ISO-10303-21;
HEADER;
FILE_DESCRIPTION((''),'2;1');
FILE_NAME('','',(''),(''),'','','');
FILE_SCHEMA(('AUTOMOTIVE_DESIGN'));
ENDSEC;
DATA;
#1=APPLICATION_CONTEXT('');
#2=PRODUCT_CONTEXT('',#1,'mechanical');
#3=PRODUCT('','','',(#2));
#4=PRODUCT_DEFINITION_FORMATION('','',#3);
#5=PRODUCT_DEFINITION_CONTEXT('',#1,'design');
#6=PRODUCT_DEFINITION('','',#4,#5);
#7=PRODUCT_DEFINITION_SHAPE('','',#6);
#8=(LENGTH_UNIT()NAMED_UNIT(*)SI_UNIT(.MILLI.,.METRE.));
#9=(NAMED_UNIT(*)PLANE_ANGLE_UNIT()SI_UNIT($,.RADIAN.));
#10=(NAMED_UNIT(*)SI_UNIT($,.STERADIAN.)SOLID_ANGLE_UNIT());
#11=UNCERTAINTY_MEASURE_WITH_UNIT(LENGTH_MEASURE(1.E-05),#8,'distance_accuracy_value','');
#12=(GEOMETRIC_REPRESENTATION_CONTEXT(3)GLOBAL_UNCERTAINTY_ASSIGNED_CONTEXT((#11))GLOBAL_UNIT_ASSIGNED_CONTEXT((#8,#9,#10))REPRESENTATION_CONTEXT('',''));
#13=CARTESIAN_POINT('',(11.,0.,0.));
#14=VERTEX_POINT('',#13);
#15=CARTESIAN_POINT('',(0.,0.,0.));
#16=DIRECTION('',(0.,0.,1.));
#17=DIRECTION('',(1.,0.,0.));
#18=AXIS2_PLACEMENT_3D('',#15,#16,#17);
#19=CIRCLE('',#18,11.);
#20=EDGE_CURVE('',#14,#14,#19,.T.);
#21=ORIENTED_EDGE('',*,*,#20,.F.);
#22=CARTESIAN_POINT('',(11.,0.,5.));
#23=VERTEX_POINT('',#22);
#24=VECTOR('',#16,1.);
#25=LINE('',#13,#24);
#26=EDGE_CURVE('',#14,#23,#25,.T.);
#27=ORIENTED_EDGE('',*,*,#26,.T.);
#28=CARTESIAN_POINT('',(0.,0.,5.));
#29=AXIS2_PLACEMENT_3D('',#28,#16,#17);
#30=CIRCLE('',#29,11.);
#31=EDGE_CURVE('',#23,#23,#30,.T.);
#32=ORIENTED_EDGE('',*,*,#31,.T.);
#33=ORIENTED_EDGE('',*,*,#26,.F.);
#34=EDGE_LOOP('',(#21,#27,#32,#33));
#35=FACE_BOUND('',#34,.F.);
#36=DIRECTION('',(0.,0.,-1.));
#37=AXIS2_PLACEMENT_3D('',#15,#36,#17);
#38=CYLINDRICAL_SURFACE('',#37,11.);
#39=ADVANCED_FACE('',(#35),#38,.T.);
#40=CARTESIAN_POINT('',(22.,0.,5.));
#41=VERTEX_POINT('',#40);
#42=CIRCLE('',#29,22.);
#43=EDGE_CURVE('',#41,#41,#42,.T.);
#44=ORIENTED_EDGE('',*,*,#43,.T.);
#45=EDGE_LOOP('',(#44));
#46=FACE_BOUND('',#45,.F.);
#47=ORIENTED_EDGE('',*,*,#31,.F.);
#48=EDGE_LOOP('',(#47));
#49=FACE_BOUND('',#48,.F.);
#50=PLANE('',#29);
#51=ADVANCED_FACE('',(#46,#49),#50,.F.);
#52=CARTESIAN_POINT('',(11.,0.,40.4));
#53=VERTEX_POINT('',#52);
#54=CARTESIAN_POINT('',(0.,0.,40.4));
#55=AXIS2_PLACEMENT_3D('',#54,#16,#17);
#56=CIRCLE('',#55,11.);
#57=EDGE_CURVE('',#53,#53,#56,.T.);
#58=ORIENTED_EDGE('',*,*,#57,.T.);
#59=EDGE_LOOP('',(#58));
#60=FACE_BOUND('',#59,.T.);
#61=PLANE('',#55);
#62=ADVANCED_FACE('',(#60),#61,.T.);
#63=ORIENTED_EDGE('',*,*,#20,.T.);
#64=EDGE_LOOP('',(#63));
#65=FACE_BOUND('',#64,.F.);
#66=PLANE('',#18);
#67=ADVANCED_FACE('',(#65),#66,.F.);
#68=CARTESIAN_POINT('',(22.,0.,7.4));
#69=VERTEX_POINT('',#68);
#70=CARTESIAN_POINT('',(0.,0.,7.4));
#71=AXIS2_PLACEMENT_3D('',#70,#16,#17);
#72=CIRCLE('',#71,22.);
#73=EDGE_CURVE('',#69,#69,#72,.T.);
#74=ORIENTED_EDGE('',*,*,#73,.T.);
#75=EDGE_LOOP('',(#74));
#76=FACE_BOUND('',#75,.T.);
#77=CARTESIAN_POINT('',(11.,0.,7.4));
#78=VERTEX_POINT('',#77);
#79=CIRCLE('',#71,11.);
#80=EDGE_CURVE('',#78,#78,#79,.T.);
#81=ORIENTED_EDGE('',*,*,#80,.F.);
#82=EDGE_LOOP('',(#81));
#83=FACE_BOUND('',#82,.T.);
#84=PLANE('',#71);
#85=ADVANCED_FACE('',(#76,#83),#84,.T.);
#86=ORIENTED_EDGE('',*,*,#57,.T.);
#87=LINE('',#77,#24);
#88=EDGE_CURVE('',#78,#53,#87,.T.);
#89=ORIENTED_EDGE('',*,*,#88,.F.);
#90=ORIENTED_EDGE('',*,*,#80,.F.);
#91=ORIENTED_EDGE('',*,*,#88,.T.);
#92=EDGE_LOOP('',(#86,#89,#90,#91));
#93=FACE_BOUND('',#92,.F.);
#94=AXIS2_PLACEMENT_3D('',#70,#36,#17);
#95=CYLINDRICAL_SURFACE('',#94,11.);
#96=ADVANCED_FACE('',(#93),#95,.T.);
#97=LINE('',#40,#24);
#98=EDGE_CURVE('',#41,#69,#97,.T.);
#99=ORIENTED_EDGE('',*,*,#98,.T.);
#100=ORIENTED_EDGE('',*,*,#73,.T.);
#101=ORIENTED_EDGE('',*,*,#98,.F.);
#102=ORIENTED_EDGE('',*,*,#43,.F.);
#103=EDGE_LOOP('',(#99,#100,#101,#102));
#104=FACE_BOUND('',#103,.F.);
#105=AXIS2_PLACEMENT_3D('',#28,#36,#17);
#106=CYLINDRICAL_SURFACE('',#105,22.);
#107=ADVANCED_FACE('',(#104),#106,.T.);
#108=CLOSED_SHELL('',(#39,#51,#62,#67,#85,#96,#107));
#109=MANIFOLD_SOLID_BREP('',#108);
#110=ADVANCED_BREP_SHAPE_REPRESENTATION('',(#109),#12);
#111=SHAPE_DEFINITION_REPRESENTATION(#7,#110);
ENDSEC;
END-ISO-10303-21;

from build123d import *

# Parameters (mm, degrees)
SKETCH1_R           = 11
BOSS_EXTRUDE2_DEPTH = 5
SKETCH3_R           = 21.999999942
BOSS_EXTRUDE3_DEPTH = 2.4
SKETCH4_R           = 11
BOSS_EXTRUDE4_DEPTH = 33


with BuildPart() as part:
    # Sketch1 → Boss-Extrude2 (new body)
    with BuildSketch(Plane.XY):
        Circle(SKETCH1_R)
    extrude(amount=BOSS_EXTRUDE2_DEPTH)

    # Sketch3 → Boss-Extrude3 (add)
    with BuildSketch(Plane.XY.offset(5)):
        Circle(SKETCH3_R)
    extrude(amount=BOSS_EXTRUDE3_DEPTH)

    # Sketch4 → Boss-Extrude4 (add)
    with BuildSketch(Plane.XY.offset(7.4)):
        Circle(SKETCH4_R)
    extrude(amount=BOSS_EXTRUDE4_DEPTH)


solid = part.part
